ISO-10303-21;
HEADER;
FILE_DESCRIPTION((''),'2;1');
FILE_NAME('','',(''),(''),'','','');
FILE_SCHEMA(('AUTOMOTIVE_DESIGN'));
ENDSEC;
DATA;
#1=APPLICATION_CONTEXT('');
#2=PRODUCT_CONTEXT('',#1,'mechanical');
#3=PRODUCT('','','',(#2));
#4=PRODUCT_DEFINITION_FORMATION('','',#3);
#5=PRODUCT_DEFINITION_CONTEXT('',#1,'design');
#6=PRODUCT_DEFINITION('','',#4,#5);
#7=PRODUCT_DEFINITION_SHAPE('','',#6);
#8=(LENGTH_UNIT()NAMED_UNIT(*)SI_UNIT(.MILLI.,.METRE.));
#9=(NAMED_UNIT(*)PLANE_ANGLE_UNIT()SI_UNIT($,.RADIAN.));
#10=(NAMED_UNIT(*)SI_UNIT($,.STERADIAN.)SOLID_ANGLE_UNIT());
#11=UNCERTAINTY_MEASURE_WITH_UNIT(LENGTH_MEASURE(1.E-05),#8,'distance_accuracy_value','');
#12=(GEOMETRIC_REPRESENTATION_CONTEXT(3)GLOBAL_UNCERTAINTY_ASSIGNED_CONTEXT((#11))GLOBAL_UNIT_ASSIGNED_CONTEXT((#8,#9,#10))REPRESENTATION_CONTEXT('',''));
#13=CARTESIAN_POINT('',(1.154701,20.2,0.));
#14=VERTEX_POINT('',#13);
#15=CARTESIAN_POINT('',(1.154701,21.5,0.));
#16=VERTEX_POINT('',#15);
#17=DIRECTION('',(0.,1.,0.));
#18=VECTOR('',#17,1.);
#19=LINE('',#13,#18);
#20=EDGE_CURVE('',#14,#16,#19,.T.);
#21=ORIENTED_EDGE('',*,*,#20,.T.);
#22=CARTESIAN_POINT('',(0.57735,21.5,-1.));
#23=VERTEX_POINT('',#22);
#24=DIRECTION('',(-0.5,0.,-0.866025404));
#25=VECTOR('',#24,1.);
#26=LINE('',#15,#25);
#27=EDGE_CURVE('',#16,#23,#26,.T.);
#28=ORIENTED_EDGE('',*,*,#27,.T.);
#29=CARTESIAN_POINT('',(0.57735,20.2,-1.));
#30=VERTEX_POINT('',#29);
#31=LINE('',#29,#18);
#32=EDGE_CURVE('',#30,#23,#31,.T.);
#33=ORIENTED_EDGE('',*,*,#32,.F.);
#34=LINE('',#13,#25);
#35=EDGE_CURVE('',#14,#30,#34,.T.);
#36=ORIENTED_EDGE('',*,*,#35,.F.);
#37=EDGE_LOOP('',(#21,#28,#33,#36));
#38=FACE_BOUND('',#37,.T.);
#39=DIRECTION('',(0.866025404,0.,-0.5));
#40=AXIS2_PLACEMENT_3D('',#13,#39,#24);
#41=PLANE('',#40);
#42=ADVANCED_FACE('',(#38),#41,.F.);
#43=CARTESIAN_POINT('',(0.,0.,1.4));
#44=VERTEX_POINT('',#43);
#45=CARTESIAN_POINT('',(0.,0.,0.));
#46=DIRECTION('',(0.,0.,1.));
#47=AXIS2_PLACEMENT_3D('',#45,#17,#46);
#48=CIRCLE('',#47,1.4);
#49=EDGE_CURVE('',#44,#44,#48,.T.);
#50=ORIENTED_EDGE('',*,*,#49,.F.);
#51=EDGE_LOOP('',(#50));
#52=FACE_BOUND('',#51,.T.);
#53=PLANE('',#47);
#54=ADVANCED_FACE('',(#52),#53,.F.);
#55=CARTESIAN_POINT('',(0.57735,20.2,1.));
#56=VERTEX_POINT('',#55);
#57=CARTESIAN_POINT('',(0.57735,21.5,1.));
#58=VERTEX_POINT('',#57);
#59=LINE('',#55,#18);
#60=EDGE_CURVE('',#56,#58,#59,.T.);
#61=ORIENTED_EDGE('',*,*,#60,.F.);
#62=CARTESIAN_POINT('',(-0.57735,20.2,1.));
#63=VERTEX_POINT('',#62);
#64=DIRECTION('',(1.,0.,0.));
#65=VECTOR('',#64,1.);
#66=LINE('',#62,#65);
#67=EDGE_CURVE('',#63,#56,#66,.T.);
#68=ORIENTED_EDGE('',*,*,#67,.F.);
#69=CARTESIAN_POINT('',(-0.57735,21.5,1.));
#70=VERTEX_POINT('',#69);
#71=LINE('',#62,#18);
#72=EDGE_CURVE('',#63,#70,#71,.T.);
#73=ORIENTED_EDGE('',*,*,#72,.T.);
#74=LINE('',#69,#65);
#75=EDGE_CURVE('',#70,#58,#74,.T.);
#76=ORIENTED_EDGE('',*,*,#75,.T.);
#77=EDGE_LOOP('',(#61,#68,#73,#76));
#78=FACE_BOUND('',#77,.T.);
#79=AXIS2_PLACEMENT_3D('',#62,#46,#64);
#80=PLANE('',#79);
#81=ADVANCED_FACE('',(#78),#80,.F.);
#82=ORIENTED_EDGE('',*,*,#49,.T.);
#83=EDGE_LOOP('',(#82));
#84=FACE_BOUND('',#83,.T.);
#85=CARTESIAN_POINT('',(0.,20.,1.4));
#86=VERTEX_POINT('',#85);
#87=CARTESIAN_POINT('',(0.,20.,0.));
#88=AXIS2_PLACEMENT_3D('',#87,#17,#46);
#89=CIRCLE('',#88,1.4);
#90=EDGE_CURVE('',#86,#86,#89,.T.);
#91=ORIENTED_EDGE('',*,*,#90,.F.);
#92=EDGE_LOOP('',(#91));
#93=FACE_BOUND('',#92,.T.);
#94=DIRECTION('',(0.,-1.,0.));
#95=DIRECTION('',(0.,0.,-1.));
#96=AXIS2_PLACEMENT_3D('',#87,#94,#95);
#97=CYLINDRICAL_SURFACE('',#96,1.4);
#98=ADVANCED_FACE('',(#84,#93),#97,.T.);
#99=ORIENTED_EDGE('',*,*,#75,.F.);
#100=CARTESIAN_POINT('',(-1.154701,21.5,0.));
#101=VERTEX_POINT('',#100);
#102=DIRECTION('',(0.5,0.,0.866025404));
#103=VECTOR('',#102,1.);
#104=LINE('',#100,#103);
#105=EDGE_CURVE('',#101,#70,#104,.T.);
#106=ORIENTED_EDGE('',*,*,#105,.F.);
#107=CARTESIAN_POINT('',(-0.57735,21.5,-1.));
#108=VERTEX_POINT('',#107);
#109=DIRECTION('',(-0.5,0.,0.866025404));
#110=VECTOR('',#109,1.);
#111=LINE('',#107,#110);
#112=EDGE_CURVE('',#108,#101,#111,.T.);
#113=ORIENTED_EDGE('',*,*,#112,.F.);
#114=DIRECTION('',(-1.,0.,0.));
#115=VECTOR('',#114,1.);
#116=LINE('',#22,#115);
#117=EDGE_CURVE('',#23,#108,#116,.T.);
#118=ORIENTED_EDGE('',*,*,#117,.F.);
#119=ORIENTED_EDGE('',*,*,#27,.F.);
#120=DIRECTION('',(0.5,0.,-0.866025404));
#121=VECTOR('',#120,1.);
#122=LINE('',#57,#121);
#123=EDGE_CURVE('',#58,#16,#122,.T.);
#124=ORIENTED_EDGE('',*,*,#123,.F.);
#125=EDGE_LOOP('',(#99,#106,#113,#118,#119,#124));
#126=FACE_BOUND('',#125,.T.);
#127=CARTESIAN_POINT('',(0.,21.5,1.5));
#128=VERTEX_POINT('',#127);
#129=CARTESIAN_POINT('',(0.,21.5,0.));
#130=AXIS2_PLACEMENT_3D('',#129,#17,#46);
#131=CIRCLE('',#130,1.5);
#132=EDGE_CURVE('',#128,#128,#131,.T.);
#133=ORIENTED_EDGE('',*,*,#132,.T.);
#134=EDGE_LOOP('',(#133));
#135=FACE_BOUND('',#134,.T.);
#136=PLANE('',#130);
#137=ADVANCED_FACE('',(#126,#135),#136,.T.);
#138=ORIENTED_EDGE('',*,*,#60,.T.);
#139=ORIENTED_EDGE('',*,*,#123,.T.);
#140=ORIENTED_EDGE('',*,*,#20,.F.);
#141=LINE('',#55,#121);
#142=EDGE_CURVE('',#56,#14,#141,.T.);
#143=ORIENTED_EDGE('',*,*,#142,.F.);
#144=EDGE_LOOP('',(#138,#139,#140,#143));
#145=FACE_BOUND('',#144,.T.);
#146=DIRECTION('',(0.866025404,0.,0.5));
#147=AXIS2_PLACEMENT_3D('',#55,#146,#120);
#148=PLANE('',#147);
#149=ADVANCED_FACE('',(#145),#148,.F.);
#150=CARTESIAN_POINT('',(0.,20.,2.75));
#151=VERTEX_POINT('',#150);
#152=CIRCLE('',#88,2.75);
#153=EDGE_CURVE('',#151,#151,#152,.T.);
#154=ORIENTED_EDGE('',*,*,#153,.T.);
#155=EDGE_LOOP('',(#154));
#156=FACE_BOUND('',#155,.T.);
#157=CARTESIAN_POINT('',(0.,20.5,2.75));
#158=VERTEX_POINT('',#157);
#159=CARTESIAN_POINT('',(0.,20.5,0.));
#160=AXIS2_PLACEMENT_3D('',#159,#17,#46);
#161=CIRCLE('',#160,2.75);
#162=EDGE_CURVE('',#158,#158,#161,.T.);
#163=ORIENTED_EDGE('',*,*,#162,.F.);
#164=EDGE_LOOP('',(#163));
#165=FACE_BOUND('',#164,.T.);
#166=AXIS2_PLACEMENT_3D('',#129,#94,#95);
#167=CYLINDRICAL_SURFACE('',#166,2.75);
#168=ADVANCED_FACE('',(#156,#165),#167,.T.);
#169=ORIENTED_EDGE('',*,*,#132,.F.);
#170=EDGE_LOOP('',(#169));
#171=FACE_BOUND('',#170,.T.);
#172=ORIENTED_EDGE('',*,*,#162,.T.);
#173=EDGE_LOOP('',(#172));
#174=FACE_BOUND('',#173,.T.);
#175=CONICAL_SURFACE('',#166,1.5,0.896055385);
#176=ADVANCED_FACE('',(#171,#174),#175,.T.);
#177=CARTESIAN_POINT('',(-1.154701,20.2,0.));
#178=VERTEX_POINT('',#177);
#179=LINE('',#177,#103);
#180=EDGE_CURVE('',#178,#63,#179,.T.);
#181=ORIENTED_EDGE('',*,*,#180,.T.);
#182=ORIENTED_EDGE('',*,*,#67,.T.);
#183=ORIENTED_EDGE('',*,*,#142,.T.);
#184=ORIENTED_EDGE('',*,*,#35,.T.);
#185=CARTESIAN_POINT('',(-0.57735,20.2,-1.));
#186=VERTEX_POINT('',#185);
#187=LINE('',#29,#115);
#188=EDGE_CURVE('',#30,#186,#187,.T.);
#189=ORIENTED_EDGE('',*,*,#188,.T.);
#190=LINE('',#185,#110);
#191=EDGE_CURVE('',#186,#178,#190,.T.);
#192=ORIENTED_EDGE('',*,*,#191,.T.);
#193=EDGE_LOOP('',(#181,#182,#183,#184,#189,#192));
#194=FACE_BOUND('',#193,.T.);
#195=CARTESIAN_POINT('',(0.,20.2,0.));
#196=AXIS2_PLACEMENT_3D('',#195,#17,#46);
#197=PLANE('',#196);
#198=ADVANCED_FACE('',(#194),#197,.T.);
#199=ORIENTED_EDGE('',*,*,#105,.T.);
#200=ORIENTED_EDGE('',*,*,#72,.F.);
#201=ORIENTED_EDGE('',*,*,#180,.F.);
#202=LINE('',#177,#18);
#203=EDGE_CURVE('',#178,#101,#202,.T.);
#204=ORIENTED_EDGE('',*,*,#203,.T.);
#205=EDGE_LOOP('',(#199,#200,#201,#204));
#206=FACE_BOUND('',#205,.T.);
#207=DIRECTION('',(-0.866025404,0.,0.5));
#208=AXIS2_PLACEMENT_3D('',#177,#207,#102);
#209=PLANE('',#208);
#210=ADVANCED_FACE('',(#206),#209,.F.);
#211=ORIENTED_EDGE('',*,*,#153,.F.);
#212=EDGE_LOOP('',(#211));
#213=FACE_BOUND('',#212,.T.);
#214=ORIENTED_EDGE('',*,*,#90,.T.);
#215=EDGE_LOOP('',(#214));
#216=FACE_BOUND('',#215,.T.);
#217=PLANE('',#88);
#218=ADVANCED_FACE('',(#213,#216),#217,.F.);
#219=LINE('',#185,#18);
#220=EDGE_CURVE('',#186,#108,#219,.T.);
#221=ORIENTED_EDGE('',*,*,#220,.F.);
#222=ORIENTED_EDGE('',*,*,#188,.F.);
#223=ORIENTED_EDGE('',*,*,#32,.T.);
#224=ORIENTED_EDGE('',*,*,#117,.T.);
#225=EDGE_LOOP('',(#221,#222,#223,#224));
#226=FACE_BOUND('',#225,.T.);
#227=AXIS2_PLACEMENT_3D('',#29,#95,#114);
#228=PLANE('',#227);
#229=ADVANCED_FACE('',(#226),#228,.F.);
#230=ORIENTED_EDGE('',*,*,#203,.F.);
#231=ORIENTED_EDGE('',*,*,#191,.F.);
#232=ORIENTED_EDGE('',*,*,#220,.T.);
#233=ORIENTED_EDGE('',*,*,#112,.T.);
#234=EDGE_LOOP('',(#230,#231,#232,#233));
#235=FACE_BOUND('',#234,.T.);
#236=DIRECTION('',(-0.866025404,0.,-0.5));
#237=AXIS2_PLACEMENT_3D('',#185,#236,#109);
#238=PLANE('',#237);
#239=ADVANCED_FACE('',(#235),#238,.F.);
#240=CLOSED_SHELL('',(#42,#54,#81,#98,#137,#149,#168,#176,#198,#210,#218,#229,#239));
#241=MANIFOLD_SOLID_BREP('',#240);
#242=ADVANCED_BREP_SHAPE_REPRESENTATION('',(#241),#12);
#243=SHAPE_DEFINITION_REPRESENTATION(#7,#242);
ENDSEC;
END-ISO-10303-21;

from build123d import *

# Parameters (mm, degrees)
SKETCH1_R           = 1.4
BOSS_EXTRUDE1_DEPTH = 20
SKETCH2_R           = 2.75
BOSS_EXTRUDE2_DEPTH = 1.5
CUT_EXTRUDE1_DEPTH  = 1.3


with BuildPart() as part:
    # Sketch1 → Boss-Extrude1 (new body)
    with BuildSketch(Plane(origin=(0, 0, 0), x_dir=(1, 0, 0), z_dir=(0, 1, 0))):
        with Locations(Location((0, 0, 0), (0, 0, 270))):
            Circle(SKETCH1_R)
    extrude(amount=BOSS_EXTRUDE1_DEPTH)

    # Sketch2 → Boss-Extrude2 (add)
    with BuildSketch(Plane(origin=(0, 20, 0), x_dir=(1, 0, 0), z_dir=(0, 1, 0))):
        with Locations(Location((0, 0, 0), (0, 0, 270))):
            Circle(SKETCH2_R)
    extrude(amount=BOSS_EXTRUDE2_DEPTH)

    # Sketch3 → Cut-Revolve1 (revolve, cut)
    with BuildSketch(Plane(origin=(0, 0, 0), x_dir=(0, 0, -1), z_dir=(1, 0, 0)), mode=Mode.PRIVATE) as cut_revolve1_sk:
        Polygon((1.5, 21.5), (2.75, 20.5), (2.75, 21.5), align=None)
    revolve(cut_revolve1_sk.sketch.rotate(Axis((0, 21.5, 0), (0, -1, 0)), 180), axis=Axis((0, 21.5, 0), (0, -1, 0)), mode=Mode.SUBTRACT)

    # Sketch4 → Cut-Extrude1 (cut)
    with BuildSketch(Plane(origin=(0, 21.5, 0), x_dir=(1, 0, 0), z_dir=(0, 1, 0))):
        Polygon((1.154700538, 0), (0.577350269, 1), (-0.577350269, 1), (-1.154700538, 0), (-0.577350269, -1), (0.577350269, -1), align=None)
    extrude(amount=-CUT_EXTRUDE1_DEPTH, mode=Mode.SUBTRACT)


solid = part.part
